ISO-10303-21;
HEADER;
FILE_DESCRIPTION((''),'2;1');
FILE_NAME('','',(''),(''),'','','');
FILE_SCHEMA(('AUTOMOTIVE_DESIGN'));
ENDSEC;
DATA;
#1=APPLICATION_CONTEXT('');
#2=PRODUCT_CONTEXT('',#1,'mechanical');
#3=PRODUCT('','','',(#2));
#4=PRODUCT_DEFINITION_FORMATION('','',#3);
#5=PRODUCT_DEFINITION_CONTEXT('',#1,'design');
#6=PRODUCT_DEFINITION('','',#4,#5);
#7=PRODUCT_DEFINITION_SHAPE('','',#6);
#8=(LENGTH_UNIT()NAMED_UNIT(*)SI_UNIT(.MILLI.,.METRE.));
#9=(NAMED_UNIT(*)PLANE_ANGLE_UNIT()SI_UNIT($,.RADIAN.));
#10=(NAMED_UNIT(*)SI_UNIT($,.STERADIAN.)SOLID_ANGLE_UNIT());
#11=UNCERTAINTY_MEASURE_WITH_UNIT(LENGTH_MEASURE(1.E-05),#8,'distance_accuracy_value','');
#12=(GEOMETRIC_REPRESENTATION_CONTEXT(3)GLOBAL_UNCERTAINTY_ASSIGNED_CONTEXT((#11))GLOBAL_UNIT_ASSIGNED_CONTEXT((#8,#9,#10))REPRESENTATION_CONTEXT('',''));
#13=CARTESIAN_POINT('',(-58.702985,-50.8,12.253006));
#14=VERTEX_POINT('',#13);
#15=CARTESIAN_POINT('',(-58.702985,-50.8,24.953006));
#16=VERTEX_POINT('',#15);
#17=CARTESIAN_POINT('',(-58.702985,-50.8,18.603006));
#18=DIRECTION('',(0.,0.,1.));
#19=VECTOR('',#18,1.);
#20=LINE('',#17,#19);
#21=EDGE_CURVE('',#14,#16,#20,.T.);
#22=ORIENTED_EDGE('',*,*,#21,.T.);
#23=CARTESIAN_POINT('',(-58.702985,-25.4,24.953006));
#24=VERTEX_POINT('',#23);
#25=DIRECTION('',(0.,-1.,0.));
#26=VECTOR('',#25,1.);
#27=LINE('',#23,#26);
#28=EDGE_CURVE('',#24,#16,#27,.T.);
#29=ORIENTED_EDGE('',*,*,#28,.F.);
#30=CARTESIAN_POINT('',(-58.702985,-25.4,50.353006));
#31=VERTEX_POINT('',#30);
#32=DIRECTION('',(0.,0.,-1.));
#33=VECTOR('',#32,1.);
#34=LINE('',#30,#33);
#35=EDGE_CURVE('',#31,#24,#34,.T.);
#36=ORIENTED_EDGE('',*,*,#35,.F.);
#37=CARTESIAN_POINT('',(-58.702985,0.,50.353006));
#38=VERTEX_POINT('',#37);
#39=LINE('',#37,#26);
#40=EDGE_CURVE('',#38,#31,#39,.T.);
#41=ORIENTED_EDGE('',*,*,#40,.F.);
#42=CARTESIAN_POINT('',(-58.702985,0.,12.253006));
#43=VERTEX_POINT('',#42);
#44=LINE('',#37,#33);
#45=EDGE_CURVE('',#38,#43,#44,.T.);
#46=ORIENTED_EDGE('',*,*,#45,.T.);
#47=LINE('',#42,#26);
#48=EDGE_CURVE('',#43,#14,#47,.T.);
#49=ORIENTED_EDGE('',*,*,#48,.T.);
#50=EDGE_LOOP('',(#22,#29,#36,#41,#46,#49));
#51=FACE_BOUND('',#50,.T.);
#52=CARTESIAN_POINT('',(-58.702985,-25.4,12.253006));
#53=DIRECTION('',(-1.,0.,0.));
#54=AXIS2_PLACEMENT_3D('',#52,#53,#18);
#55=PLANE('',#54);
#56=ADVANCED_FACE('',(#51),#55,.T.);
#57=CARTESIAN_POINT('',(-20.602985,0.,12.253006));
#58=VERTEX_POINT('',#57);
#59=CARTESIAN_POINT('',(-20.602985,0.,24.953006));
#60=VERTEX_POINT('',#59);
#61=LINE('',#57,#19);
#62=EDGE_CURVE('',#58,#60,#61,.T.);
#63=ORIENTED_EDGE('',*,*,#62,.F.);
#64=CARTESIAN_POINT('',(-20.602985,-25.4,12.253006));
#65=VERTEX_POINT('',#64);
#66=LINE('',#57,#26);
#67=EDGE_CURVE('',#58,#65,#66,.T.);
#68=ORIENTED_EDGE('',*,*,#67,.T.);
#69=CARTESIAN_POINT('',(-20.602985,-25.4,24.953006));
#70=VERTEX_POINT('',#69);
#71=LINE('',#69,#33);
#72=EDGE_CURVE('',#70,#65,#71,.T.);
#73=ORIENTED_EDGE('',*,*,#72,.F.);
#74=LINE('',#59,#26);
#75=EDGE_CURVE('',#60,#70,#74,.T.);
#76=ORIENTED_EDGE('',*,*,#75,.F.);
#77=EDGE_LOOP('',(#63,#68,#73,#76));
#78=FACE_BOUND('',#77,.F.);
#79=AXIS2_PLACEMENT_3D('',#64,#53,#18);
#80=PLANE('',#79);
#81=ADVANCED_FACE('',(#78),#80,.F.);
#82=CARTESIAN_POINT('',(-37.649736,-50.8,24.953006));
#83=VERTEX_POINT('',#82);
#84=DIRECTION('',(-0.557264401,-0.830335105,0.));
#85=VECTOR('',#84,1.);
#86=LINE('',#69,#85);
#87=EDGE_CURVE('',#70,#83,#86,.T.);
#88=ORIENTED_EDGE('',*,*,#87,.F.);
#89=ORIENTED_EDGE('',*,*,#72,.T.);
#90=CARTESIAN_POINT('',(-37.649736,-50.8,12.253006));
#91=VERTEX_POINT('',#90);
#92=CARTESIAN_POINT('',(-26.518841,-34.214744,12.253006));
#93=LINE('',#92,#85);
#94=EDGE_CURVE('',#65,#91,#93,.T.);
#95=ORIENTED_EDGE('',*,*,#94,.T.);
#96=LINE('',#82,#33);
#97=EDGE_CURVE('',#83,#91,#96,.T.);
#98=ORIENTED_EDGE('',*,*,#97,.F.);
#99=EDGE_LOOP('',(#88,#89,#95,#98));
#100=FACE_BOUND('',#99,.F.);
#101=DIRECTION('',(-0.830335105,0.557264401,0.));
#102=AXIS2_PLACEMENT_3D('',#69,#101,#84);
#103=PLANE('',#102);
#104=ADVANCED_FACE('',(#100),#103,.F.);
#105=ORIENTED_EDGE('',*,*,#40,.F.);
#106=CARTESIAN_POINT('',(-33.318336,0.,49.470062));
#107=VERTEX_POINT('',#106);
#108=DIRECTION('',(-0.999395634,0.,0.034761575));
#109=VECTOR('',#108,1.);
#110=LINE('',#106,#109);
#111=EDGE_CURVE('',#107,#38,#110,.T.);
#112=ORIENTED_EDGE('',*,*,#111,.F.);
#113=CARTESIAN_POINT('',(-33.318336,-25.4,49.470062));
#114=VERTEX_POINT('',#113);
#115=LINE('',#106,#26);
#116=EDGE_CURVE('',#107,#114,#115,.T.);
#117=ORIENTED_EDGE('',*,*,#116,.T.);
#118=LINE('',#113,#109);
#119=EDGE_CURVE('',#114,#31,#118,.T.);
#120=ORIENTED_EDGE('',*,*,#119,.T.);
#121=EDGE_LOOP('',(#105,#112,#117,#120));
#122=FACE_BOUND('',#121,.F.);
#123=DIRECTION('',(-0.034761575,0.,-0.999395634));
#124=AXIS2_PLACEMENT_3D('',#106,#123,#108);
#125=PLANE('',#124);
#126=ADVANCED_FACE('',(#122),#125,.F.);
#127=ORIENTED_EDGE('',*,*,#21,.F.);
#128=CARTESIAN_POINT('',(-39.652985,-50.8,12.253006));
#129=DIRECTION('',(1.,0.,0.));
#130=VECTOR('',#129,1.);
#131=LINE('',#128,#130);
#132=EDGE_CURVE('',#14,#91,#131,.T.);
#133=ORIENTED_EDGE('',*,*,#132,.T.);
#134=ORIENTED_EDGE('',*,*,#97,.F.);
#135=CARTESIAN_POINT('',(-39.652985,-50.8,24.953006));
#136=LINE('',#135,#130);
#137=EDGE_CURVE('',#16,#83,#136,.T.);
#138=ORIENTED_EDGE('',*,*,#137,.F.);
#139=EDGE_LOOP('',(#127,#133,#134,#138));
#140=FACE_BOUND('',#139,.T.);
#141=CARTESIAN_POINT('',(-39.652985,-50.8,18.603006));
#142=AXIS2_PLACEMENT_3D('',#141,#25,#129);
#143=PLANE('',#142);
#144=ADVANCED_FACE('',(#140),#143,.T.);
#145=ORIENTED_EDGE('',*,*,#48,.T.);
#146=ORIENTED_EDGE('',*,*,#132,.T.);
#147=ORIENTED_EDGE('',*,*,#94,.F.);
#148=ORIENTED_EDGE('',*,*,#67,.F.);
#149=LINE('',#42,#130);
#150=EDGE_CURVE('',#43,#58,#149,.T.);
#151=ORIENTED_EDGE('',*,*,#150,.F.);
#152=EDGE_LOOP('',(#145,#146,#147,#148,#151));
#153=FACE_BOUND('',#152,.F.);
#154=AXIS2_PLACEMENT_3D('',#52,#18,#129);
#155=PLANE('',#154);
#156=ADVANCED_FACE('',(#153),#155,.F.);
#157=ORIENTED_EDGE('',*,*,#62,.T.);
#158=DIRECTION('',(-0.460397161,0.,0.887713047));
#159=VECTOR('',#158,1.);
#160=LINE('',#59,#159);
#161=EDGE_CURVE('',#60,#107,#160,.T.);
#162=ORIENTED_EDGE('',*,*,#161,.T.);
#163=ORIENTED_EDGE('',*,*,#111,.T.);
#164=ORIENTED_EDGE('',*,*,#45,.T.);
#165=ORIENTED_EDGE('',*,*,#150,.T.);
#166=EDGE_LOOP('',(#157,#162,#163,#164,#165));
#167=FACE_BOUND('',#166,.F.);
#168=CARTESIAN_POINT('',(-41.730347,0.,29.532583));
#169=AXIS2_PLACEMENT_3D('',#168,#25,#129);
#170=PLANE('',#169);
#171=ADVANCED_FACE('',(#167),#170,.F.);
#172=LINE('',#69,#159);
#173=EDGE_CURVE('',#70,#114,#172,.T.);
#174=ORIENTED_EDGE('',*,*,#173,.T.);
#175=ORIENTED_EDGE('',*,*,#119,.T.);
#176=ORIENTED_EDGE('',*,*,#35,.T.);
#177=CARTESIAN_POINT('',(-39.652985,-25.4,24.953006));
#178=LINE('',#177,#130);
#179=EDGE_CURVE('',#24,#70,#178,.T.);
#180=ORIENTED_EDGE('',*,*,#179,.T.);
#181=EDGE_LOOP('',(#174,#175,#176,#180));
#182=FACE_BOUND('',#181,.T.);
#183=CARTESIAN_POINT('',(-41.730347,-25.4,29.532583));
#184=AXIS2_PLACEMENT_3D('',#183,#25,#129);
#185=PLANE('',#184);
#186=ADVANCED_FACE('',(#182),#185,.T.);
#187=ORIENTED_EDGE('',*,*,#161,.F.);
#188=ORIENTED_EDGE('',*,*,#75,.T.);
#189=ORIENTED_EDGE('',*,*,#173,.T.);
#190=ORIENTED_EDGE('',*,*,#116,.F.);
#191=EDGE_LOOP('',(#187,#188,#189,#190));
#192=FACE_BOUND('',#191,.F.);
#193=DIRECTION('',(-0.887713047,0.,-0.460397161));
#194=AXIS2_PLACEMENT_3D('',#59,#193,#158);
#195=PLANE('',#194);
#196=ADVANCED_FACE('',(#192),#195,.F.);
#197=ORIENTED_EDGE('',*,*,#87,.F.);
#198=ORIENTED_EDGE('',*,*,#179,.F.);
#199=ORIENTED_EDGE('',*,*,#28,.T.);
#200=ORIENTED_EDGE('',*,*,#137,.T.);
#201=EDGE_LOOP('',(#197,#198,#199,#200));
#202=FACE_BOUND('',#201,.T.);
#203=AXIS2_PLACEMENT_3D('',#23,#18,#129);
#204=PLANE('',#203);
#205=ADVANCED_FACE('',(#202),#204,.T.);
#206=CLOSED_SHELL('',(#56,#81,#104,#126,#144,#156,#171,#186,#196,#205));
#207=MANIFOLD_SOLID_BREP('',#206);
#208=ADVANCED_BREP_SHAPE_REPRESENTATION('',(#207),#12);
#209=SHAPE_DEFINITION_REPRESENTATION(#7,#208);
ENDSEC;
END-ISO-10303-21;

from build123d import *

# Parameters (mm, degrees)
F1_DEPTH = 25.4
F2_W     = 38.1
F2_H     = 12.7
F3_DEPTH = 25.4
F5_DEPTH = 25.4


with BuildPart() as f1:
    # F0 (on Front) → F1 (new body)
    with BuildSketch(Plane.XZ):
        Polygon((-33.318336, 49.470062), (-58.702985, 50.353006), (-58.702985, 12.253006), (-20.602985, 12.253006), (-20.602985, 24.953006), align=None)
    extrude(amount=F1_DEPTH)

    # F2 (on face) → F3 (join)
    with BuildSketch(Plane.XZ.offset(25.4)):
        with Locations((-39.652985, 18.603006)):
            Rectangle(F2_W, F2_H)
    extrude(amount=F3_DEPTH)

    # F4 (on face) → F5 (cut)
    with BuildSketch(Plane.XY.offset(24.953006)):
        Polygon((-20.602985, -50.8), (-20.602985, -25.4), (-37.649736, -50.8), align=None)
    extrude(amount=-F5_DEPTH, mode=Mode.SUBTRACT)


solid = f1.part
